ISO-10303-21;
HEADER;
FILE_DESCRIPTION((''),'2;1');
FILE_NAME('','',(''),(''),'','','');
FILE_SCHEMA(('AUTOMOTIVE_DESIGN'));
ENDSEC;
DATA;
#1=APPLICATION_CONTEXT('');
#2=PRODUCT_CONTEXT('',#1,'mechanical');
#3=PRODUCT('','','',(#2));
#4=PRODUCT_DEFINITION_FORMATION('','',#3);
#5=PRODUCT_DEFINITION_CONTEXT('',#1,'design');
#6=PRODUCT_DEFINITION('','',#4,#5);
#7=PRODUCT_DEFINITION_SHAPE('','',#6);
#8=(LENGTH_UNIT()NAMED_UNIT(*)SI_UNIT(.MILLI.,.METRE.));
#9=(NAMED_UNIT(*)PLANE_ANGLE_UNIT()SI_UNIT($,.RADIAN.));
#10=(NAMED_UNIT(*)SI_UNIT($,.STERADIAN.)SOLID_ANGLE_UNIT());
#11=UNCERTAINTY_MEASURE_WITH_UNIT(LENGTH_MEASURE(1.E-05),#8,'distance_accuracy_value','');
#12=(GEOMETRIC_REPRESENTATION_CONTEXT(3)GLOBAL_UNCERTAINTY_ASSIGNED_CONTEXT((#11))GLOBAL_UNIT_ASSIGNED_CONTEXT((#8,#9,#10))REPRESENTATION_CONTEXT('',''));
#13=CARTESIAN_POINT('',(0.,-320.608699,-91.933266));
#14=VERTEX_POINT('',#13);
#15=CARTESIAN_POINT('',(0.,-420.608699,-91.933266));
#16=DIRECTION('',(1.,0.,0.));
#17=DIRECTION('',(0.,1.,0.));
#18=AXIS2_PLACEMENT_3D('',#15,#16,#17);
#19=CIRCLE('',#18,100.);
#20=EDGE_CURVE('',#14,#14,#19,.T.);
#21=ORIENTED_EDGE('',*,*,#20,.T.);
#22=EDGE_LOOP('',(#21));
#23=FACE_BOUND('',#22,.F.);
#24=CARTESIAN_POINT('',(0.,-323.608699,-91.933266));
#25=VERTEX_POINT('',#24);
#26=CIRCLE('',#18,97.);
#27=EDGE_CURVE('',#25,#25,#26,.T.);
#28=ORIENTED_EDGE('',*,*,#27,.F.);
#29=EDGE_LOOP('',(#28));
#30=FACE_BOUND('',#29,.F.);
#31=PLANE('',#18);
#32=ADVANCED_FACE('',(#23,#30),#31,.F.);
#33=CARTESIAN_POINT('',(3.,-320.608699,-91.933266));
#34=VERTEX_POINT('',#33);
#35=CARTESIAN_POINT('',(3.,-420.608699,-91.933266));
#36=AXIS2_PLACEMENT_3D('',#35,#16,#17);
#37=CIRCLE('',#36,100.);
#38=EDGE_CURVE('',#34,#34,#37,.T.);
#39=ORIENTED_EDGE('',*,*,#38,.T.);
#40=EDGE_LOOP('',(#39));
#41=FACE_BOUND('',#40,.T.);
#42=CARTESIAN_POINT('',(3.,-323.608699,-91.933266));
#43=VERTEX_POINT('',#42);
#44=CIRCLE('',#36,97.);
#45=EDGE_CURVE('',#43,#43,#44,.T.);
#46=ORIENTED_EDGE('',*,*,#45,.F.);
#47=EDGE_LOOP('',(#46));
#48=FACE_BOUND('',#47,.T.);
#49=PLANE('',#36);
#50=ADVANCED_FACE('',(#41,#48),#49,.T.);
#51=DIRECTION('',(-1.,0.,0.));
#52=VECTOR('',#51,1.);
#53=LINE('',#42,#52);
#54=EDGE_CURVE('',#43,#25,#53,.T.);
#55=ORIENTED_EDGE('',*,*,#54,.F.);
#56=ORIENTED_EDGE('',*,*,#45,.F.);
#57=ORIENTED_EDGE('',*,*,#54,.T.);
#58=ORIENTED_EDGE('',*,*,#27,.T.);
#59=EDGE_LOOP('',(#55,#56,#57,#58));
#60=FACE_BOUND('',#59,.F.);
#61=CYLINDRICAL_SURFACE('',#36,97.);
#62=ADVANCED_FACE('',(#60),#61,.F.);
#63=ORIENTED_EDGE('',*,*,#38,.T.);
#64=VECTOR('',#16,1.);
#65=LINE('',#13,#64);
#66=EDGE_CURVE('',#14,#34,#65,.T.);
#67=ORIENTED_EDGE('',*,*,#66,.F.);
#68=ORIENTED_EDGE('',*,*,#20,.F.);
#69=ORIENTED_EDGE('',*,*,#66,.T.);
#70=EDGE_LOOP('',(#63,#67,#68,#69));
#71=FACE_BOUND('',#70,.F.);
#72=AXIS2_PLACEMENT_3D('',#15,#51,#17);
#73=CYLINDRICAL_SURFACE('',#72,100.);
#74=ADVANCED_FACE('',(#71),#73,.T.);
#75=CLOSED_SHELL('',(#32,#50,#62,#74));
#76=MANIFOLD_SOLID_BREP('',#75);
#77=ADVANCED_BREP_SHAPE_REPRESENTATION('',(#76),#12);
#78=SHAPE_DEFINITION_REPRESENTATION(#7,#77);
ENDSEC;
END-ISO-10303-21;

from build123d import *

# Parameters (mm, degrees)
F0_R     = 100
F1_DEPTH = 3
F2_R     = 97
F3_DEPTH = 3


with BuildPart() as f1:
    # F0 (on Right) → F1 (new body)
    with BuildSketch(Plane.YZ):
        with Locations((-420.608699, -91.933266)):
            Circle(F0_R)
    extrude(amount=F1_DEPTH)

    # F2 (on face) → F3 (cut)
    with BuildSketch(Plane.YZ.offset(3)):
        with Locations((-420.608699, -91.933266)):
            Circle(F2_R)
    extrude(amount=-F3_DEPTH, mode=Mode.SUBTRACT)


solid = f1.part
